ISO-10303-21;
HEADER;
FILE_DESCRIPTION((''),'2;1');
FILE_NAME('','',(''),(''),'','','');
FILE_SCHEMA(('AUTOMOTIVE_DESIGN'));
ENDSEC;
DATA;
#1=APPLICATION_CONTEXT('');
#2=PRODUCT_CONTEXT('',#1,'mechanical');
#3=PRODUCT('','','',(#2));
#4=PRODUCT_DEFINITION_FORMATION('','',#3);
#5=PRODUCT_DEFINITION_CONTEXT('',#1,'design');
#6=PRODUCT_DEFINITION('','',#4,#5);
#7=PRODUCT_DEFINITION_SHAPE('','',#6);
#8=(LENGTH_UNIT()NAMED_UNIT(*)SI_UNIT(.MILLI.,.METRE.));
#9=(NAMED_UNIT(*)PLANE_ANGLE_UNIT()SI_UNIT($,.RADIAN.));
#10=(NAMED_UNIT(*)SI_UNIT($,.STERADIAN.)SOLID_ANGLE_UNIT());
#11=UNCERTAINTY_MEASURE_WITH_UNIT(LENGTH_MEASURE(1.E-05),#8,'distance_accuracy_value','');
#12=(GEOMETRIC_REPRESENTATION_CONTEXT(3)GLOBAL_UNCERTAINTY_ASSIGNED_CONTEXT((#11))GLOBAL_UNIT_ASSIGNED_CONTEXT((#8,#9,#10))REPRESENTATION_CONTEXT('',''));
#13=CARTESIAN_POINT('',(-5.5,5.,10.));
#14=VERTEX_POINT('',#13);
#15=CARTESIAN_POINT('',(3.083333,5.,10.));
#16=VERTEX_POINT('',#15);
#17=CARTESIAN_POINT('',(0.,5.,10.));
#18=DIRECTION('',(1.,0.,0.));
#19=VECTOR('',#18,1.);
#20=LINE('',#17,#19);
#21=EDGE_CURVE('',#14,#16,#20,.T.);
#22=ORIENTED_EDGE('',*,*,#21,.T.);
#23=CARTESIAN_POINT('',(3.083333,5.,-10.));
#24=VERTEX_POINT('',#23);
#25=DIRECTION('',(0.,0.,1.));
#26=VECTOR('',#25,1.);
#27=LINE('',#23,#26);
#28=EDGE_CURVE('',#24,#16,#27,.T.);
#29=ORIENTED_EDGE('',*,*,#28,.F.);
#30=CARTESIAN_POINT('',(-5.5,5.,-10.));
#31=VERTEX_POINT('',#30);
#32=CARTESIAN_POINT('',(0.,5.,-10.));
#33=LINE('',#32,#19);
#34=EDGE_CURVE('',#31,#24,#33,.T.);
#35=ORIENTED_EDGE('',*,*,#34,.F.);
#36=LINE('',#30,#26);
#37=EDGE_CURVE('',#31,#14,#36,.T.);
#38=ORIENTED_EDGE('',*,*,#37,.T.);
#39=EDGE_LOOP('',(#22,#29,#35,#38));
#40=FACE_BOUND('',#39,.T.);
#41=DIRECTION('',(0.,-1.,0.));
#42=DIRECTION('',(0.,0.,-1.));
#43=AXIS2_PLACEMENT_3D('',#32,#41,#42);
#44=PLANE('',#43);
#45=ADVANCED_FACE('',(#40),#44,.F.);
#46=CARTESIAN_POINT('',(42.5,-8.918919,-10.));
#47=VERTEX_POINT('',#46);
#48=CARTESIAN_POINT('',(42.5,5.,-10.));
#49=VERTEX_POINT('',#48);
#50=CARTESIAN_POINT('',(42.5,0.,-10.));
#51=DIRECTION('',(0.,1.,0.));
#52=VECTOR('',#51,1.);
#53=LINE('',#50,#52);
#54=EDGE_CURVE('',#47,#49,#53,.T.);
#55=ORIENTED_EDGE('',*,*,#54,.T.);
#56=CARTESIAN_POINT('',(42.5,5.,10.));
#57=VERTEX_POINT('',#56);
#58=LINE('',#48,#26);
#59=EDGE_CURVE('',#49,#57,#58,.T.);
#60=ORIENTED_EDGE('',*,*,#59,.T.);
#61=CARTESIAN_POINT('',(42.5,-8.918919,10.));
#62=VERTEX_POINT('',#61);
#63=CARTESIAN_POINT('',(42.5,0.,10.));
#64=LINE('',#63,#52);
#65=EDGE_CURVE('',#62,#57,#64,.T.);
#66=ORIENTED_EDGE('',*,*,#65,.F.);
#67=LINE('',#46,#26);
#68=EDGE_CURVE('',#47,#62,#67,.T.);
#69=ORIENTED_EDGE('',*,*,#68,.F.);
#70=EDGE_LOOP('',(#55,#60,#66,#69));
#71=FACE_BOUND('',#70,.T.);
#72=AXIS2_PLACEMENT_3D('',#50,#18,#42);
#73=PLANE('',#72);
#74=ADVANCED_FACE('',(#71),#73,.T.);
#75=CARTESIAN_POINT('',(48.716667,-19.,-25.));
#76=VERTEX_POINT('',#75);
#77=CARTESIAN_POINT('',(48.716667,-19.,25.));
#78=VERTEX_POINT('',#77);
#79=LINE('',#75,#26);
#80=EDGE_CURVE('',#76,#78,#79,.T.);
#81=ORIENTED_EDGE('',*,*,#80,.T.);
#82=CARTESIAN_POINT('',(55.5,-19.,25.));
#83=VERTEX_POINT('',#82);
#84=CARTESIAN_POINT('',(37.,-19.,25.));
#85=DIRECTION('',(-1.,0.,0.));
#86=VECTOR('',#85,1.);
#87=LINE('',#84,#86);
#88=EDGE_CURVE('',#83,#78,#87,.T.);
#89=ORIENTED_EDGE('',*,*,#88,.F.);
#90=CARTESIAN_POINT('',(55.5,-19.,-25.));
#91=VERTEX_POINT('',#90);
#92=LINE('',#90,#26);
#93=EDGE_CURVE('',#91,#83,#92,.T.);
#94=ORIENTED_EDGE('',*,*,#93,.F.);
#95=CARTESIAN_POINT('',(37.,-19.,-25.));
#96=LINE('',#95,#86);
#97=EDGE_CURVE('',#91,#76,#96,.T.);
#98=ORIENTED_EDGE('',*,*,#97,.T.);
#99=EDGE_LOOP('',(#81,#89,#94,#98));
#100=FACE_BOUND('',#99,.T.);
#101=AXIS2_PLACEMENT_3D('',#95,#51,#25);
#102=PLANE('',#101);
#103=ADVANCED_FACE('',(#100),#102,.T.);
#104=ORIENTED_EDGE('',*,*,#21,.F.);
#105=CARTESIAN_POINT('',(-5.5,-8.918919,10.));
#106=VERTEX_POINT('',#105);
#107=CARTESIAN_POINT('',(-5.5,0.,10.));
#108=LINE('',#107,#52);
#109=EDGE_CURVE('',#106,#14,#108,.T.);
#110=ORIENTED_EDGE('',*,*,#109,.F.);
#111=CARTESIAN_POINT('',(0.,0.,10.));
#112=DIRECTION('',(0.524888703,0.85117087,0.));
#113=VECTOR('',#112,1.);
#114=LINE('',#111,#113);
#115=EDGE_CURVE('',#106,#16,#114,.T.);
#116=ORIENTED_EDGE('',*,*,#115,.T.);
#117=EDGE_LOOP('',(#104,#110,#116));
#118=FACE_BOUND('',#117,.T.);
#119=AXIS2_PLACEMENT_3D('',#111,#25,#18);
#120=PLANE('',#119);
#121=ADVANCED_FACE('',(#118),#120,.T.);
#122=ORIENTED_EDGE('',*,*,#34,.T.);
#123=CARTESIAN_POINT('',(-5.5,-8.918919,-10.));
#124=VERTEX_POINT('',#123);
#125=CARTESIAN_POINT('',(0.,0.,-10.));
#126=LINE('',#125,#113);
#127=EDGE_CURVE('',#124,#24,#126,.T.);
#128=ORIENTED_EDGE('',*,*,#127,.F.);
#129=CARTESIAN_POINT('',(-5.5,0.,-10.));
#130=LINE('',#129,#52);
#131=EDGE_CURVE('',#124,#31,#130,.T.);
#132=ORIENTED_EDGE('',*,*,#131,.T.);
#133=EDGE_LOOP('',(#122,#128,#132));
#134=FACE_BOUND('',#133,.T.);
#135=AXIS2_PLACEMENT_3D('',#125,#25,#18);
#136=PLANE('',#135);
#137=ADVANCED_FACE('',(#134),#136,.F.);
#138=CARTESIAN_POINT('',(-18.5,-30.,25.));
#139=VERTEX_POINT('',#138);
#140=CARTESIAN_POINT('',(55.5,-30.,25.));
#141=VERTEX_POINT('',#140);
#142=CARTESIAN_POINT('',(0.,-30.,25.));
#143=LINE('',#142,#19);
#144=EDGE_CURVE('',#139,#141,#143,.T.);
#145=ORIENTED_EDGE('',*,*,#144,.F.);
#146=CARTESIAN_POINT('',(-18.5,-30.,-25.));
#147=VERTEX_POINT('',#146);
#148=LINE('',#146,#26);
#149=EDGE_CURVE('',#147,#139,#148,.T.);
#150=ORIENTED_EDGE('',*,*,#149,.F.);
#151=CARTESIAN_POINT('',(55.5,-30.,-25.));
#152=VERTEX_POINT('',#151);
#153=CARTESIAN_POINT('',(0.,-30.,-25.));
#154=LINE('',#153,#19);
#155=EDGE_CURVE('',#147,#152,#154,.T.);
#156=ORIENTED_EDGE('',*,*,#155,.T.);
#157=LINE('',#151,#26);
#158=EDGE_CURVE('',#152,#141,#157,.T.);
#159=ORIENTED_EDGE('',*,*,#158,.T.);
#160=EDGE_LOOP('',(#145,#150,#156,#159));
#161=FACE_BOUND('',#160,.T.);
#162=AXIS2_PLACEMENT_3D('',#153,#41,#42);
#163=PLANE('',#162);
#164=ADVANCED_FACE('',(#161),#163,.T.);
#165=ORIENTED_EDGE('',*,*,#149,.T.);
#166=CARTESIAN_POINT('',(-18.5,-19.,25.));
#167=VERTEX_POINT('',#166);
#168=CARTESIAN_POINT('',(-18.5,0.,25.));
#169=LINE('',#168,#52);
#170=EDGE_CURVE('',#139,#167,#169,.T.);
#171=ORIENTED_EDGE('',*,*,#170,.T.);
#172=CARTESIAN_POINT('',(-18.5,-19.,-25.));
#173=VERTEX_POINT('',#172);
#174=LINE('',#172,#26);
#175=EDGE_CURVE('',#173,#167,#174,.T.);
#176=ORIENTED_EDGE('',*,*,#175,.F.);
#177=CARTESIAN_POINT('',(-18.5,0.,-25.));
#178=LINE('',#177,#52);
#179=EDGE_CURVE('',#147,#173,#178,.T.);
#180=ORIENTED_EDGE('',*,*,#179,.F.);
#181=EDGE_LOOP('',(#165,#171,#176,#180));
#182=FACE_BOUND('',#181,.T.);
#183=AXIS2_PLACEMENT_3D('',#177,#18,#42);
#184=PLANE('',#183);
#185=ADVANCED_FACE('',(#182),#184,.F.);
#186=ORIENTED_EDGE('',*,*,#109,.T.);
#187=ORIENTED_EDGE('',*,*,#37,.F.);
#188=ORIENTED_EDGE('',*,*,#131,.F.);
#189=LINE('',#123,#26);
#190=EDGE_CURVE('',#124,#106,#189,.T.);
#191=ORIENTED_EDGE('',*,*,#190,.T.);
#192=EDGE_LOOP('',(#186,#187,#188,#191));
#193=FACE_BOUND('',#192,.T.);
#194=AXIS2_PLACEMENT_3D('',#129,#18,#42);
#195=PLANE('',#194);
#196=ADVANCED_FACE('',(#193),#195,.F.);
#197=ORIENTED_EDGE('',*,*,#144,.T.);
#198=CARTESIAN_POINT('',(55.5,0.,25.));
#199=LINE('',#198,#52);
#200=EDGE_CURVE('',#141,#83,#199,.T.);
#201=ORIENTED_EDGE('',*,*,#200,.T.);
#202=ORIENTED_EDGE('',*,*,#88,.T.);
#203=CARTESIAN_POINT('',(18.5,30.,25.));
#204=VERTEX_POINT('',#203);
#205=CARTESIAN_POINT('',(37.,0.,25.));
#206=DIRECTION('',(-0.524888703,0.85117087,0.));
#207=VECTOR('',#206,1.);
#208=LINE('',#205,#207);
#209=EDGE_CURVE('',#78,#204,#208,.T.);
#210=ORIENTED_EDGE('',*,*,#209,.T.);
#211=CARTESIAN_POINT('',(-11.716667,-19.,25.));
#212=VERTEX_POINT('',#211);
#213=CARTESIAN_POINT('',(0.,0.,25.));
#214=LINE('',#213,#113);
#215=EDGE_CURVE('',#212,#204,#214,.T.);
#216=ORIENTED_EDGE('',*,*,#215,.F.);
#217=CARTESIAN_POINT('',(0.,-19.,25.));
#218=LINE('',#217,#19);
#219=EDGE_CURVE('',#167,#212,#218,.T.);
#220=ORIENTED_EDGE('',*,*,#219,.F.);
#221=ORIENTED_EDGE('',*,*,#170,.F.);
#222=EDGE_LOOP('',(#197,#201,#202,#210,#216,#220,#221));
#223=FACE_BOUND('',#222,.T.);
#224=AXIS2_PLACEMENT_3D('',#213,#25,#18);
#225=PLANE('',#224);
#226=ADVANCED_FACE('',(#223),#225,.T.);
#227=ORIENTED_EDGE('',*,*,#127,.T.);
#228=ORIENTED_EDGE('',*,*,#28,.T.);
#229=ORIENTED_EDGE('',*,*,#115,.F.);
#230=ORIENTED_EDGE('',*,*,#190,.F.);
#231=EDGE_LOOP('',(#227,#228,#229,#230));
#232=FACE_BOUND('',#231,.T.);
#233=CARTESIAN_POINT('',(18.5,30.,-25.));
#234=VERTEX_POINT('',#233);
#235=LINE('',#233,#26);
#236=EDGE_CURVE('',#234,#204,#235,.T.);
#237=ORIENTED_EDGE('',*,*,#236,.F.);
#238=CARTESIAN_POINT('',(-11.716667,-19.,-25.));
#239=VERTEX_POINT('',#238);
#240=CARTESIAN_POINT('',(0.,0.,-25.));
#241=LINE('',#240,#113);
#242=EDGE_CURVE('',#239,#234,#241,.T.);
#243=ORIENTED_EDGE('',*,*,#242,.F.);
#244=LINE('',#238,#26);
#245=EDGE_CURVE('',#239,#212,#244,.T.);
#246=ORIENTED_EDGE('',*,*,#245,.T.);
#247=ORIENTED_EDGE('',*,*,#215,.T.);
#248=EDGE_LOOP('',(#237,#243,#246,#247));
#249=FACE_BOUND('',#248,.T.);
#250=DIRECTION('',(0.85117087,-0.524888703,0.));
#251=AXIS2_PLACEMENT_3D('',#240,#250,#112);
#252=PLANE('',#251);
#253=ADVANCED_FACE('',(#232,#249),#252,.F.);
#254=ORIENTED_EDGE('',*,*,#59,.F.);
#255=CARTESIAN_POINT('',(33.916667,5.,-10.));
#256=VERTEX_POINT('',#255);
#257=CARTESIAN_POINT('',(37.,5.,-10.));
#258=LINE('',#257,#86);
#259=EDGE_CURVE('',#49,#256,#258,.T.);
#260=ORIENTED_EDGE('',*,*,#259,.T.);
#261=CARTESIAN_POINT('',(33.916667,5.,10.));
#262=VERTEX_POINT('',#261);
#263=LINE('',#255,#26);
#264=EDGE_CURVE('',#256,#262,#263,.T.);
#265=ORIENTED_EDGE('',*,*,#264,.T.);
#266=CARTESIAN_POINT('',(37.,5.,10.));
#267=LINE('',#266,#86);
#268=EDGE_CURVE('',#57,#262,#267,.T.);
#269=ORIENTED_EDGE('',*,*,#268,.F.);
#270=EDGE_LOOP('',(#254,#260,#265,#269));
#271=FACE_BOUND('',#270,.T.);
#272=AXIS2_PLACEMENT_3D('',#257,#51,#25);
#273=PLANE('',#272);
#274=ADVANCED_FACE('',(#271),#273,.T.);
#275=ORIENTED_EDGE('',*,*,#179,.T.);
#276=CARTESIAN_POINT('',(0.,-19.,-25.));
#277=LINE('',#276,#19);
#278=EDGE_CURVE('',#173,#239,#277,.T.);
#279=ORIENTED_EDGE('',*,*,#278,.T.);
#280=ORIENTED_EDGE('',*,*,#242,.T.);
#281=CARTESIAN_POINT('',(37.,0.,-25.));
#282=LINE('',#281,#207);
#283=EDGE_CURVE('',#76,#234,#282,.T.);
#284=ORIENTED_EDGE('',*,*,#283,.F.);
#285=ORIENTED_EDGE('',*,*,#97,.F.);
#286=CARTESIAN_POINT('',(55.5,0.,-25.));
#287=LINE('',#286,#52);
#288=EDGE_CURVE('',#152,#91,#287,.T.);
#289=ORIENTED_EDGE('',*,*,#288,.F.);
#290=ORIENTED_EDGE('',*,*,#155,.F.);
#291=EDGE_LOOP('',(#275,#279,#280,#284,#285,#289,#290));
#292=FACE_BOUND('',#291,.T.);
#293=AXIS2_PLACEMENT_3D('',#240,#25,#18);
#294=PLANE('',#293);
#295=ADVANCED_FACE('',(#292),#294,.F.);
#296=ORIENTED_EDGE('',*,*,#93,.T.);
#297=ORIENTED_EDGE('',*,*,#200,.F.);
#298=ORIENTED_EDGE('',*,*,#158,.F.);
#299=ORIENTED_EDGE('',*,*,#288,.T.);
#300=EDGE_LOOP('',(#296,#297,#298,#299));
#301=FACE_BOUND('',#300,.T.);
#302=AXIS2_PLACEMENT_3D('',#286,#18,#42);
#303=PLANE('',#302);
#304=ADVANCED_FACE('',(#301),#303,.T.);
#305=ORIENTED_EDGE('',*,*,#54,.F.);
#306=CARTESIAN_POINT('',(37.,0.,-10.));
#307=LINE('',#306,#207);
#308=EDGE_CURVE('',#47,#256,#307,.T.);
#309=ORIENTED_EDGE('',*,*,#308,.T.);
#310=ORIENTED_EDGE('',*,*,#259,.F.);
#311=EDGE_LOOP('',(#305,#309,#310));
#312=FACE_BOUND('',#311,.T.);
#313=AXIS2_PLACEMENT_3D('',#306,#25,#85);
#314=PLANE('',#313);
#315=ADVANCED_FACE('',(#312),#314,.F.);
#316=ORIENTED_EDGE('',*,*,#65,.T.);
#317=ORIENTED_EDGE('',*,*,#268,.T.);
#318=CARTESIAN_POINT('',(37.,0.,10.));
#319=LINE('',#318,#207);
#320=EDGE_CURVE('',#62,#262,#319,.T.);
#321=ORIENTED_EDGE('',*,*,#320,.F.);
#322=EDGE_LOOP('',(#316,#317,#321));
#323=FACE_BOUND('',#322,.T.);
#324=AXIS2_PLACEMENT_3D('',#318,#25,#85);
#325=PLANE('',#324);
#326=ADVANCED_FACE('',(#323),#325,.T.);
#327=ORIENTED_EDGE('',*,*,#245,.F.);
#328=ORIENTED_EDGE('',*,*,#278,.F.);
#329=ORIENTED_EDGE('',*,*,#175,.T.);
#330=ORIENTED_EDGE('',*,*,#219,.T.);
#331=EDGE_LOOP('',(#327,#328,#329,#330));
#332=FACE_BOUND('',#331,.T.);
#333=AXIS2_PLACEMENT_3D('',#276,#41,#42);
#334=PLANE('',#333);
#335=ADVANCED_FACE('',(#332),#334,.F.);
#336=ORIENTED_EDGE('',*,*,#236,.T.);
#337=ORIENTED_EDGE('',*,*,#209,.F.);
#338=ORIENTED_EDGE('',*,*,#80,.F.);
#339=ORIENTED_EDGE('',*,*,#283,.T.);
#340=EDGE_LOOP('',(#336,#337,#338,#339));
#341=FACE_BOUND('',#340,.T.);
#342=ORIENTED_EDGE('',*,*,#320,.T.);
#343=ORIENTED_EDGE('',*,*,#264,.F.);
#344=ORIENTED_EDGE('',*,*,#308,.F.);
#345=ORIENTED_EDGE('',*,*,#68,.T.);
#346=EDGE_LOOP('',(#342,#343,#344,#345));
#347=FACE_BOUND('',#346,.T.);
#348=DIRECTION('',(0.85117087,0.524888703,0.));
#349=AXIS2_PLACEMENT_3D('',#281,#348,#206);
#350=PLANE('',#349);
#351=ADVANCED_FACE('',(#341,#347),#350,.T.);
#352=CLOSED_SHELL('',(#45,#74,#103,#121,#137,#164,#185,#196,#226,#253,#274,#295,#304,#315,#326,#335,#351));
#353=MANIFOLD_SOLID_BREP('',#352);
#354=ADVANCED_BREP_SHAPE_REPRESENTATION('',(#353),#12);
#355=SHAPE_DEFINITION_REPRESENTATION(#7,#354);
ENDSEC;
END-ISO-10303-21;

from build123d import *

# Parameters (mm, degrees)
EXTRUDE_1_DEPTH = 25
EXTRUDE_2_DEPTH = 10


with BuildPart() as part:
    # Эскиз1 → Бобышка-Вытянуть1 (new, symmetric)
    with BuildSketch(Plane.XY):
        Polygon((-11.716666667, -19), (-18.5, -19), (-18.5, -30), (18.5, -30), (18.5, 30), align=None)
    extrude_1 = extrude(amount=EXTRUDE_1_DEPTH, both=True)

    # Эскиз1<3> → Бобышка-Вытянуть2 (add, symmetric)
    with BuildSketch(Plane.XY):
        Polygon((-5.5, 5), (-5.5, -8.918918919), (3.083333333, 5), align=None)
    extrude_2 = extrude(amount=EXTRUDE_2_DEPTH, both=True)

    # Зеркальное отражение1: Бобышка-Вытянуть1, Бобышка-Вытянуть2 across plane
    add(extrude_1.mirror(Plane(origin=(18.5, 0, -25), x_dir=(0, 0, 1), z_dir=(1, 0, 0))))
    add(extrude_2.mirror(Plane(origin=(18.5, 0, -25), x_dir=(0, 0, 1), z_dir=(1, 0, 0))))


solid = part.part
